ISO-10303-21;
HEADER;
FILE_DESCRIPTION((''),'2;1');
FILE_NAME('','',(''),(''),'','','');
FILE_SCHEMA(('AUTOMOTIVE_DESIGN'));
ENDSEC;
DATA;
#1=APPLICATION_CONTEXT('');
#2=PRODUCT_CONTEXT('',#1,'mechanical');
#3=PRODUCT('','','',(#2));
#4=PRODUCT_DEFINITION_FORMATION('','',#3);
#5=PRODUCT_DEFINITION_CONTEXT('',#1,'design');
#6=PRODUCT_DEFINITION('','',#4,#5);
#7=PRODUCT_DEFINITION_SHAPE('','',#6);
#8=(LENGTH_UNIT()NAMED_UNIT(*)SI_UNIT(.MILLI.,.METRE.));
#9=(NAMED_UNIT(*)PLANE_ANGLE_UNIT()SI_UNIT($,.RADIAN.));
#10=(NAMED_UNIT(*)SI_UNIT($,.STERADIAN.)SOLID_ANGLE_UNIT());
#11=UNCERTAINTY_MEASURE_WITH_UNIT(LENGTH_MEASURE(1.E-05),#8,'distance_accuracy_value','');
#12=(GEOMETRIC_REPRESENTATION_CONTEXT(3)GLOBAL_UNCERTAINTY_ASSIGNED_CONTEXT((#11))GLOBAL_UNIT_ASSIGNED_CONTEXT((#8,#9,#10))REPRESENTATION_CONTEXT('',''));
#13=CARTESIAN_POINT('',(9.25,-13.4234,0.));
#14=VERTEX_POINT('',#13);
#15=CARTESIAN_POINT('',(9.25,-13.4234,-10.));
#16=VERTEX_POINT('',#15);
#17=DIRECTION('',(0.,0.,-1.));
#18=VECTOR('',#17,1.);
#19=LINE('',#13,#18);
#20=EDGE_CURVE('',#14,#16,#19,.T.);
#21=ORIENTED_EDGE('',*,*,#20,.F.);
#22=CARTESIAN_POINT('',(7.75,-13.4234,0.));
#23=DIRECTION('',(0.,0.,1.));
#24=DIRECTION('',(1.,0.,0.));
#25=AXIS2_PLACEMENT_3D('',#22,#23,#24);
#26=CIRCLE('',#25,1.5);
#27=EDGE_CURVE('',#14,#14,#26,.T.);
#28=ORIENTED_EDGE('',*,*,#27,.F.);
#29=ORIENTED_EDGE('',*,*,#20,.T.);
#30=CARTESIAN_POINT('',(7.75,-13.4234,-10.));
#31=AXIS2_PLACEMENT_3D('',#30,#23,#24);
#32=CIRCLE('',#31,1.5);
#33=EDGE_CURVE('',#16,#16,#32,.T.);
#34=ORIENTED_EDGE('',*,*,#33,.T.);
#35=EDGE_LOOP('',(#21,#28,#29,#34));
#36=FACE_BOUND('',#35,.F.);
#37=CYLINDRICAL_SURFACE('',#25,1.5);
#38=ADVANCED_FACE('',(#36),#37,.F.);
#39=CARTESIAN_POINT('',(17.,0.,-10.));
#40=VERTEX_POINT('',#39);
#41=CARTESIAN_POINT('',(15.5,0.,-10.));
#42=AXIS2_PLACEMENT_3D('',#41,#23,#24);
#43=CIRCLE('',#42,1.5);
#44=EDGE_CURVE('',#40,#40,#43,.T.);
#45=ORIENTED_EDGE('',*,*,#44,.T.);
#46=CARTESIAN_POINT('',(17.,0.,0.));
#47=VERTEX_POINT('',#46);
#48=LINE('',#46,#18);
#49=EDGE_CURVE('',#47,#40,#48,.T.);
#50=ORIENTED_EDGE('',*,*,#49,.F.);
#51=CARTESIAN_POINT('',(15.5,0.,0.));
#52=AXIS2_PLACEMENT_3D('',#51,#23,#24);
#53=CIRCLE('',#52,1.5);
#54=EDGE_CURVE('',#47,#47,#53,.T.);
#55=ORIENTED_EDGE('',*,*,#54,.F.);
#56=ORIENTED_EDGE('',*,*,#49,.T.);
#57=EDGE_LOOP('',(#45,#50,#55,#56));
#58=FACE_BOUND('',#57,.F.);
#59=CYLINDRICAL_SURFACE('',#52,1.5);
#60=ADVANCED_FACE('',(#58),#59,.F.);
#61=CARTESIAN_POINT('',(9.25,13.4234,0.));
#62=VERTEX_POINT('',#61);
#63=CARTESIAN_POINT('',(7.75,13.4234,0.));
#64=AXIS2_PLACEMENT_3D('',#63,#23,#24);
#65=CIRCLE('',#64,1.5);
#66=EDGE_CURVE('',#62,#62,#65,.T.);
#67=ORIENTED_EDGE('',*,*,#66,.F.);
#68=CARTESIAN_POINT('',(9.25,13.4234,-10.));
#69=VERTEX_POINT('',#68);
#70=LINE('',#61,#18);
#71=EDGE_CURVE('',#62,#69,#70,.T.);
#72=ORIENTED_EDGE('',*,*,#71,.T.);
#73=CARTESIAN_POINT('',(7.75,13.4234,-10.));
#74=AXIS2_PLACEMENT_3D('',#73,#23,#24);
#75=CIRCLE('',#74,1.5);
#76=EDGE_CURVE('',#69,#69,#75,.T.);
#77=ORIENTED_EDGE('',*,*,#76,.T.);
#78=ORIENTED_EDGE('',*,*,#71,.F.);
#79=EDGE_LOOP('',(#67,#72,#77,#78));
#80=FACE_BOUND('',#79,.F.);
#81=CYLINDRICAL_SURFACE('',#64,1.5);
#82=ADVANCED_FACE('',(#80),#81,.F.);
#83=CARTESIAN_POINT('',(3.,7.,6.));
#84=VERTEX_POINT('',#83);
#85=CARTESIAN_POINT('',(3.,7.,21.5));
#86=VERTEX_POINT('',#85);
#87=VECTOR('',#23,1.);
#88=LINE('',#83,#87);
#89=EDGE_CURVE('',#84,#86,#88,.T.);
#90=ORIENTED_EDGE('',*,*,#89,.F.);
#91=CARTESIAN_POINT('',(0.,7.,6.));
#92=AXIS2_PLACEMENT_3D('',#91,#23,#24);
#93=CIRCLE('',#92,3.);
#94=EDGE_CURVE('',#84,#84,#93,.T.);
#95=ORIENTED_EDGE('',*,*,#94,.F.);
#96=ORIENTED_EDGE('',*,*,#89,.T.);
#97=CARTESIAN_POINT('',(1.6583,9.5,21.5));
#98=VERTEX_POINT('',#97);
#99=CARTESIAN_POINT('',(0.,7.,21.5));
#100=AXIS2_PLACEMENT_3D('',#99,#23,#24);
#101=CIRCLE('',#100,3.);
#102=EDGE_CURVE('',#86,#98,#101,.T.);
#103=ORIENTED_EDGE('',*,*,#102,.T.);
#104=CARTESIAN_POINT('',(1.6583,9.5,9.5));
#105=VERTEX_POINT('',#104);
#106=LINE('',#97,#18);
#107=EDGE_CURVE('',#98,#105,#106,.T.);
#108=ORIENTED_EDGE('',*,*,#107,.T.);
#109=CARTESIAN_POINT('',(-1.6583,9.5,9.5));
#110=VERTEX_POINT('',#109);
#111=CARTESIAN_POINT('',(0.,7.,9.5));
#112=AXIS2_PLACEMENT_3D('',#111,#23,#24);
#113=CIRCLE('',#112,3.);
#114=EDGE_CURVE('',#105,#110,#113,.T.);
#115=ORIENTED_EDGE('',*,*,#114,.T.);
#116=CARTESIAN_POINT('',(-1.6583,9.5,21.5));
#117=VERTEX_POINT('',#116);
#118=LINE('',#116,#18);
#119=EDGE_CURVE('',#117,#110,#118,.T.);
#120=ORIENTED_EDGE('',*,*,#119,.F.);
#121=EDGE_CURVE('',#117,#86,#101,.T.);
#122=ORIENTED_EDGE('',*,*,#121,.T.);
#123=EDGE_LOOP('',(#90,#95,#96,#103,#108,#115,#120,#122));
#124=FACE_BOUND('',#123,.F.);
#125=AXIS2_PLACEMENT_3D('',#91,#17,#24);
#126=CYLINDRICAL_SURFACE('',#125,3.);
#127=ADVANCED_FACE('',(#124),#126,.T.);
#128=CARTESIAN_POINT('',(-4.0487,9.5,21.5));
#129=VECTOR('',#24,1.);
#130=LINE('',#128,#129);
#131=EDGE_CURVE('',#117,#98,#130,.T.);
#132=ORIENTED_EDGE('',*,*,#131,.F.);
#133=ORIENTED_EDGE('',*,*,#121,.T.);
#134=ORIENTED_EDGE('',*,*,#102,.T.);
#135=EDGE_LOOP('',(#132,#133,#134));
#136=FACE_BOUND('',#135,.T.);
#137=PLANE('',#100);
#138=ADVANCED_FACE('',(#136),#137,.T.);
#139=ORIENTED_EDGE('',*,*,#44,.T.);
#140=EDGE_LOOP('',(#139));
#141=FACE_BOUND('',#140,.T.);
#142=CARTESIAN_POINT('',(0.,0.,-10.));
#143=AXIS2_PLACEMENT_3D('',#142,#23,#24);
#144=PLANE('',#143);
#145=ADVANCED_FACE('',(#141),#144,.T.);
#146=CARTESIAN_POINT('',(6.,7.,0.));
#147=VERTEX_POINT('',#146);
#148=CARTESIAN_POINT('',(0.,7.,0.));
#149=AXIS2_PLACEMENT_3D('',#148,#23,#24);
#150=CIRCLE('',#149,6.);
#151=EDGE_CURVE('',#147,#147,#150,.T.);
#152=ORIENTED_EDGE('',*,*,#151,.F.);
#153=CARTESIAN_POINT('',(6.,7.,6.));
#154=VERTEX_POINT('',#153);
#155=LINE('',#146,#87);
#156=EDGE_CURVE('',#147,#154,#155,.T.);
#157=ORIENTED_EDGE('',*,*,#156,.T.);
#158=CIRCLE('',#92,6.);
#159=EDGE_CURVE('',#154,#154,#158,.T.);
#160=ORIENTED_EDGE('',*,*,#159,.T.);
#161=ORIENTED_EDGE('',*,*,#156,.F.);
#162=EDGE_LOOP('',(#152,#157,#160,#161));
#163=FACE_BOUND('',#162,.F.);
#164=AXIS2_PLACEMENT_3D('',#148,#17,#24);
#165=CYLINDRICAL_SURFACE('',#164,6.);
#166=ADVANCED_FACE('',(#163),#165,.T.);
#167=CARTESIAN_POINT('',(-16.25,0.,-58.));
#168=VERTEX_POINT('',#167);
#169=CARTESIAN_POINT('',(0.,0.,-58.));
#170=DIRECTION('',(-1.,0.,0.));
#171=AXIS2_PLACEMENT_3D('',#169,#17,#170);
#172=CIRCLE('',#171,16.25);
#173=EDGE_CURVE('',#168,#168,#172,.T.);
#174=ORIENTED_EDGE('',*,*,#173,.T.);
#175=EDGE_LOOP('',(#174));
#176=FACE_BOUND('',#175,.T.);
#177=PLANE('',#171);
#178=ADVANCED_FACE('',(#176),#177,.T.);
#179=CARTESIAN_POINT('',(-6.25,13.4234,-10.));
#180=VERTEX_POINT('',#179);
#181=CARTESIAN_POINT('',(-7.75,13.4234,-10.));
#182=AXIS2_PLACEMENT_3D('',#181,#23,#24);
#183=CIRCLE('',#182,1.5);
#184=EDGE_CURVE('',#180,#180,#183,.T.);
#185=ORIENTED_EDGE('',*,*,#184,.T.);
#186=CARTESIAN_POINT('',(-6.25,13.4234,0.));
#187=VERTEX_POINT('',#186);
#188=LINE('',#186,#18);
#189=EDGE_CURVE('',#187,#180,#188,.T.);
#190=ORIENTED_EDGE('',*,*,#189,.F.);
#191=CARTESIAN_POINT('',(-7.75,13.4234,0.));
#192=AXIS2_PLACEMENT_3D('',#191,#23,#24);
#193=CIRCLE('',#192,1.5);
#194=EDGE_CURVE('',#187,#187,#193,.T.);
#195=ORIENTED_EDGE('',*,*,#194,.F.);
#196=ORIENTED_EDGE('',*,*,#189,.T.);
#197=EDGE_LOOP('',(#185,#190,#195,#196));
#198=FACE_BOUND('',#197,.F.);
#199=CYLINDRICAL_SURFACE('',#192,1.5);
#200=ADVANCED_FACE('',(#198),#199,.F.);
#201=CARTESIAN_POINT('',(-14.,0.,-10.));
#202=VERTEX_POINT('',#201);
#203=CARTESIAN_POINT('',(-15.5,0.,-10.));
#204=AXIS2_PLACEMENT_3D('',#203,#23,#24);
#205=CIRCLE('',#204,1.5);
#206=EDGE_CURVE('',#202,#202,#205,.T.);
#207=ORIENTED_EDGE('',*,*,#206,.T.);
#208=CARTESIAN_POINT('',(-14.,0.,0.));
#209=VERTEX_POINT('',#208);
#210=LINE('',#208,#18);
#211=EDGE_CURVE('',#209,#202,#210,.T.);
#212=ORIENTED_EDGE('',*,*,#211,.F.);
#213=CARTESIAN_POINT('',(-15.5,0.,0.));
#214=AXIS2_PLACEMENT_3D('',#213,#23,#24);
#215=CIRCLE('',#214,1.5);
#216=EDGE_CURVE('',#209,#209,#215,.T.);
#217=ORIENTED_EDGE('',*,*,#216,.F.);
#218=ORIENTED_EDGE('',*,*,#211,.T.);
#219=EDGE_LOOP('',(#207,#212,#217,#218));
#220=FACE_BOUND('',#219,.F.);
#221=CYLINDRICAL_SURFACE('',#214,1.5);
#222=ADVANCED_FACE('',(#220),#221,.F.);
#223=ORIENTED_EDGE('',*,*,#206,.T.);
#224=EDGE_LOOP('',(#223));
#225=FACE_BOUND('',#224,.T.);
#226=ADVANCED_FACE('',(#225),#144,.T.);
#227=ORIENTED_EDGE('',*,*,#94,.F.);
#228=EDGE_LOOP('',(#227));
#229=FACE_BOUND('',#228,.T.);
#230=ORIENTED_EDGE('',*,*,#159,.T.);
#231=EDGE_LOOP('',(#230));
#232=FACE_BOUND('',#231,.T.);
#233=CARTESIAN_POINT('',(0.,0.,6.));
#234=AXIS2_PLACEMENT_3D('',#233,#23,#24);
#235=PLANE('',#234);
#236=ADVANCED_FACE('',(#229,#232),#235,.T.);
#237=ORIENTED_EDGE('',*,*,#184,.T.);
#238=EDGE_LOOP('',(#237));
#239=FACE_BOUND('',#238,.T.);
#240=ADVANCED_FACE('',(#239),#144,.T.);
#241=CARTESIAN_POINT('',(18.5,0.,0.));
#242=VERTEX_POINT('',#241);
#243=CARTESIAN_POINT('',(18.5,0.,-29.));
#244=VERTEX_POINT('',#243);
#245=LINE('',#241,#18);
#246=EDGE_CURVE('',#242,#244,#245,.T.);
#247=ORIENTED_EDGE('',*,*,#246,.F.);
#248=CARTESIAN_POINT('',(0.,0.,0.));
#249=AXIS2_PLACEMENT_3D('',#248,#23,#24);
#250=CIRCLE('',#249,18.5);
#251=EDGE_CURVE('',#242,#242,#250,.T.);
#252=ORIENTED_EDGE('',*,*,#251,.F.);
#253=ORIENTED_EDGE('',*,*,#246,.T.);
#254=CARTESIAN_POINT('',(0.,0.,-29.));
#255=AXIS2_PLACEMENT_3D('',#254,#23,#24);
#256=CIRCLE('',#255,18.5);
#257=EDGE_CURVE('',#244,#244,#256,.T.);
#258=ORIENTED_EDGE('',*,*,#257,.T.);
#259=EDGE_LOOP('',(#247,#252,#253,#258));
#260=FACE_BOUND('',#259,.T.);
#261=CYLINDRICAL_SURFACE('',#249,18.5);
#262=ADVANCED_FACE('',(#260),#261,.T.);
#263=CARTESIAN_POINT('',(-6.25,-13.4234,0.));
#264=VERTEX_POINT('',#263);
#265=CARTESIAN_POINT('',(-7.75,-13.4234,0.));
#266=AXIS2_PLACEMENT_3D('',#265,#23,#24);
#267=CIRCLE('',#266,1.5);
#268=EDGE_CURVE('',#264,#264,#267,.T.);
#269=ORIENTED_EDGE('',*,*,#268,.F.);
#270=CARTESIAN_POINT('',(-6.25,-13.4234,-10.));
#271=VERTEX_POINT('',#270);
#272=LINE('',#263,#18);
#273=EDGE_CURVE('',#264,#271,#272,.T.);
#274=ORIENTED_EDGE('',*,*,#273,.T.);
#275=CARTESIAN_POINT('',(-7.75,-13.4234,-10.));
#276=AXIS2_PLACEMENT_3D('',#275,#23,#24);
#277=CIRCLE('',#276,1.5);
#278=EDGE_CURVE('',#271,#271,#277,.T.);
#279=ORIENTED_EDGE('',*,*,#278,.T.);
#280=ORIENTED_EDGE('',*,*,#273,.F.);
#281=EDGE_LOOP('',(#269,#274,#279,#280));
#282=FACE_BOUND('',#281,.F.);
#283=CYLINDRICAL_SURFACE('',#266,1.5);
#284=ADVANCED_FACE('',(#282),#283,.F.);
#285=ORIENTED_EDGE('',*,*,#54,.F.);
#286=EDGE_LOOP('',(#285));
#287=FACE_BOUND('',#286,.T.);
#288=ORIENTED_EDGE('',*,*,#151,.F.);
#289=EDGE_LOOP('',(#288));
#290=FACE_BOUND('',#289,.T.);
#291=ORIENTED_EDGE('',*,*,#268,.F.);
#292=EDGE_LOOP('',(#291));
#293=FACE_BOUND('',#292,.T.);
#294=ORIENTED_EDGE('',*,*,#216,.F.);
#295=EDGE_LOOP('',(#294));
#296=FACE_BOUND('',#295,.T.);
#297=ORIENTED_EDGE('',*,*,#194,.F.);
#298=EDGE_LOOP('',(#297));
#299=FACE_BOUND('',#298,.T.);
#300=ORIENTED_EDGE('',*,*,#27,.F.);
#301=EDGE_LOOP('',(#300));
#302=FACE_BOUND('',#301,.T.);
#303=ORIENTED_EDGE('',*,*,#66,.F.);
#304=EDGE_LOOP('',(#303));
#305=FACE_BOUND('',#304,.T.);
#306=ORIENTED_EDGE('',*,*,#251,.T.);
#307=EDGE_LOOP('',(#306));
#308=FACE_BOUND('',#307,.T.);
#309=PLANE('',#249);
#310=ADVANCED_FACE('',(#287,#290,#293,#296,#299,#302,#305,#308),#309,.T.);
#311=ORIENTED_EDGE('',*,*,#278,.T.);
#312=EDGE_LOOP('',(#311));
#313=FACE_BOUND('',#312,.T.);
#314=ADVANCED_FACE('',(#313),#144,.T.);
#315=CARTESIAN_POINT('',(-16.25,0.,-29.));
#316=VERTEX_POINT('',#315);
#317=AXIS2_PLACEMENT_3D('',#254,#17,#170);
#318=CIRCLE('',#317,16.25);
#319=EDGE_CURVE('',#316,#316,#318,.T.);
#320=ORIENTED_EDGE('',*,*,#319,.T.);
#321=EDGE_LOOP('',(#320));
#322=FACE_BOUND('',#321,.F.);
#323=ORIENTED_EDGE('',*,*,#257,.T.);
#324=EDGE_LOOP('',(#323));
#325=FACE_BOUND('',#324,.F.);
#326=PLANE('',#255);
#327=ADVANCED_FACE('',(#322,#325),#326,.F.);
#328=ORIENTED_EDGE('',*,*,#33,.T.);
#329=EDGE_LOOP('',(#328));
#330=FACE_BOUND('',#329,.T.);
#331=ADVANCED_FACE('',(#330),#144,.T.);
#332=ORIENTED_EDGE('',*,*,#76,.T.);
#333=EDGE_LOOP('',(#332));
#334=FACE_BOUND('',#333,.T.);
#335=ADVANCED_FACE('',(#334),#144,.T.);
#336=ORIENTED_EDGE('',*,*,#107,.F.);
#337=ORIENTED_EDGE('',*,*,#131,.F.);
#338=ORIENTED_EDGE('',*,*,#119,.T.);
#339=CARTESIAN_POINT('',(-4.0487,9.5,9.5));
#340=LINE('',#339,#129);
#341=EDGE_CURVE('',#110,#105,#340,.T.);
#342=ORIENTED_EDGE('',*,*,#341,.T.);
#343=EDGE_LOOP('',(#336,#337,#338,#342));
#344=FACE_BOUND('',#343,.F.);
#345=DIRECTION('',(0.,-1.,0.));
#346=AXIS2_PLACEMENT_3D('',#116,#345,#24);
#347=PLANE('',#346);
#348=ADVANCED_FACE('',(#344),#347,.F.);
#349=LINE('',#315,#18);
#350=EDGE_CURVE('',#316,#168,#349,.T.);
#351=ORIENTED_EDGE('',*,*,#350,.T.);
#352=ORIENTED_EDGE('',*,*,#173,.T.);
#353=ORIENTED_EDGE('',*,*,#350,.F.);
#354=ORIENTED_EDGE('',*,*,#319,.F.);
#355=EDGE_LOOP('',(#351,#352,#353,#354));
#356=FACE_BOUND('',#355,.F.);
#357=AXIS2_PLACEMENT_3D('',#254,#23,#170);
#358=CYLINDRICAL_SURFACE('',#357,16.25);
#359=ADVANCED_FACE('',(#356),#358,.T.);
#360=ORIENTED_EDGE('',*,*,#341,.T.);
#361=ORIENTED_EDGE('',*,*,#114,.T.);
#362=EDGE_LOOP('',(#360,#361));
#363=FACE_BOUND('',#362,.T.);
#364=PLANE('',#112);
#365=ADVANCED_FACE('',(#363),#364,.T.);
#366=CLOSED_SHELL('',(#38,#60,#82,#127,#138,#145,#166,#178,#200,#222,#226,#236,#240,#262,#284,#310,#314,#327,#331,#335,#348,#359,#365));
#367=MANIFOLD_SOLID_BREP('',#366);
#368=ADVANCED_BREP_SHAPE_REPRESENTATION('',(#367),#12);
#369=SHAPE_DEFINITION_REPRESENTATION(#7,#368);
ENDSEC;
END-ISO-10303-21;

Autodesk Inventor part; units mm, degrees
ref_plane "YZ Plane" through (0, 0, 0) normal (1, 0, 0) x (0, 1, 0)
ref_plane "XZ Plane" through (0, 0, 0) normal (0, 1, 0) x (-1, 0, 0)
ref_plane "XY Plane" through (0, 0, 0) normal (0, 0, 1) x (1, 0, 0)
sketch "Sketch1" plane through (0, 0, 0) normal (0, 0, 1) x (1, 0, 0)
  circle A0 centre (0, 0) radius 18.5
  line L0 (0, 0) -> (0, 7) construction
  circle A1 centre (0, 7) radius 6
  dimension "d0" = 37
  dimension "d1" = 7
  dimension "d2" = 12
extrude "Extrusion1" add sketch "Sketch1" against normal blind 29 contours A0 | A1
extrude "Extrusion2" add sketch "Sketch1" along normal blind 6 contours A1
sketch "Sketch2" plane through (0, 7, 6) normal (0, 0, 1) x (1, 0, 0)
  circle A0 centre (0, 0) radius 3
  point P0 (0, -7)
  dimension "d7" = 6
extrude "Extrusion3" add sketch "Sketch2" along normal blind 15.5
sketch "Sketch3" plane through (0, 0, -29) normal (0, 0, -1) x (-1, 0, 0)
  circle A0 centre (0, 0) radius 16.25
  dimension "d10" = 32.5
extrude "Extrusion4" add sketch "Sketch3" along normal blind 29
sketch "Sketch4" plane through (0, 7, 21.5) normal (0, 0, 1) x (1, 0, 0)
  circle A0 centre (0, 0) radius 3 projected
  arc A1 (-1.6583, 2.5) -> (1.6583, 2.5) centre (0, 0) ccw
  line L0 (-4.0487, 2.5) -> (4.6782, 2.5)
  arc A2 (1.6583, 2.5) -> (-1.6583, 2.5) centre (0, 0) ccw
  point P0 (0, -7)
  point P1 (0, -3)
  point P2 (-1.6583, 2.5)
  point P3 (1.6583, 2.5)
  dimension "d13" = 6
  dimension "d14" = 5.5
extrude "Extrusion5" cut sketch "Sketch4" against normal blind 12 contours L0 A0 picked at (-0.1169, 2.6598)
sketch "Sketch5" plane through (0, 0, 0) normal (0, 0, 1) x (1, 0, 0)
  circle A0 centre (0, 0) radius 15.5 construction
  line L0 (-7.75, -13.4234) -> (12.777, 22.1304) construction
  line L1 (0, 0) -> (25.5539, 0) construction
  line L2 (7.75, -13.4234) -> (-11.3824, 19.7148) construction
  line L3 (0, 0) -> (22.7647, 0) construction
  circle A1 centre (-15.5, 0) radius 1.5
  circle A2 centre (-7.75, 13.4234) radius 1.5
  circle A3 centre (7.75, 13.4234) radius 1.5
  circle A4 centre (15.5, 0) radius 1.5
  circle A5 centre (7.75, -13.4234) radius 1.5
  circle A6 centre (-7.75, -13.4234) radius 1.5
  dimension "d17" = 31
  dimension "d18" = 60
  dimension "d19" = 120
  dimension "d20" = 3
  dimension "d21" = 3
  dimension "d22" = 3
  dimension "d23" = 3
  dimension "d24" = 3
  dimension "d25" = 3
extrude "Extrusion6" cut sketch "Sketch5" against normal blind 10
properties part number "motor12kg"
